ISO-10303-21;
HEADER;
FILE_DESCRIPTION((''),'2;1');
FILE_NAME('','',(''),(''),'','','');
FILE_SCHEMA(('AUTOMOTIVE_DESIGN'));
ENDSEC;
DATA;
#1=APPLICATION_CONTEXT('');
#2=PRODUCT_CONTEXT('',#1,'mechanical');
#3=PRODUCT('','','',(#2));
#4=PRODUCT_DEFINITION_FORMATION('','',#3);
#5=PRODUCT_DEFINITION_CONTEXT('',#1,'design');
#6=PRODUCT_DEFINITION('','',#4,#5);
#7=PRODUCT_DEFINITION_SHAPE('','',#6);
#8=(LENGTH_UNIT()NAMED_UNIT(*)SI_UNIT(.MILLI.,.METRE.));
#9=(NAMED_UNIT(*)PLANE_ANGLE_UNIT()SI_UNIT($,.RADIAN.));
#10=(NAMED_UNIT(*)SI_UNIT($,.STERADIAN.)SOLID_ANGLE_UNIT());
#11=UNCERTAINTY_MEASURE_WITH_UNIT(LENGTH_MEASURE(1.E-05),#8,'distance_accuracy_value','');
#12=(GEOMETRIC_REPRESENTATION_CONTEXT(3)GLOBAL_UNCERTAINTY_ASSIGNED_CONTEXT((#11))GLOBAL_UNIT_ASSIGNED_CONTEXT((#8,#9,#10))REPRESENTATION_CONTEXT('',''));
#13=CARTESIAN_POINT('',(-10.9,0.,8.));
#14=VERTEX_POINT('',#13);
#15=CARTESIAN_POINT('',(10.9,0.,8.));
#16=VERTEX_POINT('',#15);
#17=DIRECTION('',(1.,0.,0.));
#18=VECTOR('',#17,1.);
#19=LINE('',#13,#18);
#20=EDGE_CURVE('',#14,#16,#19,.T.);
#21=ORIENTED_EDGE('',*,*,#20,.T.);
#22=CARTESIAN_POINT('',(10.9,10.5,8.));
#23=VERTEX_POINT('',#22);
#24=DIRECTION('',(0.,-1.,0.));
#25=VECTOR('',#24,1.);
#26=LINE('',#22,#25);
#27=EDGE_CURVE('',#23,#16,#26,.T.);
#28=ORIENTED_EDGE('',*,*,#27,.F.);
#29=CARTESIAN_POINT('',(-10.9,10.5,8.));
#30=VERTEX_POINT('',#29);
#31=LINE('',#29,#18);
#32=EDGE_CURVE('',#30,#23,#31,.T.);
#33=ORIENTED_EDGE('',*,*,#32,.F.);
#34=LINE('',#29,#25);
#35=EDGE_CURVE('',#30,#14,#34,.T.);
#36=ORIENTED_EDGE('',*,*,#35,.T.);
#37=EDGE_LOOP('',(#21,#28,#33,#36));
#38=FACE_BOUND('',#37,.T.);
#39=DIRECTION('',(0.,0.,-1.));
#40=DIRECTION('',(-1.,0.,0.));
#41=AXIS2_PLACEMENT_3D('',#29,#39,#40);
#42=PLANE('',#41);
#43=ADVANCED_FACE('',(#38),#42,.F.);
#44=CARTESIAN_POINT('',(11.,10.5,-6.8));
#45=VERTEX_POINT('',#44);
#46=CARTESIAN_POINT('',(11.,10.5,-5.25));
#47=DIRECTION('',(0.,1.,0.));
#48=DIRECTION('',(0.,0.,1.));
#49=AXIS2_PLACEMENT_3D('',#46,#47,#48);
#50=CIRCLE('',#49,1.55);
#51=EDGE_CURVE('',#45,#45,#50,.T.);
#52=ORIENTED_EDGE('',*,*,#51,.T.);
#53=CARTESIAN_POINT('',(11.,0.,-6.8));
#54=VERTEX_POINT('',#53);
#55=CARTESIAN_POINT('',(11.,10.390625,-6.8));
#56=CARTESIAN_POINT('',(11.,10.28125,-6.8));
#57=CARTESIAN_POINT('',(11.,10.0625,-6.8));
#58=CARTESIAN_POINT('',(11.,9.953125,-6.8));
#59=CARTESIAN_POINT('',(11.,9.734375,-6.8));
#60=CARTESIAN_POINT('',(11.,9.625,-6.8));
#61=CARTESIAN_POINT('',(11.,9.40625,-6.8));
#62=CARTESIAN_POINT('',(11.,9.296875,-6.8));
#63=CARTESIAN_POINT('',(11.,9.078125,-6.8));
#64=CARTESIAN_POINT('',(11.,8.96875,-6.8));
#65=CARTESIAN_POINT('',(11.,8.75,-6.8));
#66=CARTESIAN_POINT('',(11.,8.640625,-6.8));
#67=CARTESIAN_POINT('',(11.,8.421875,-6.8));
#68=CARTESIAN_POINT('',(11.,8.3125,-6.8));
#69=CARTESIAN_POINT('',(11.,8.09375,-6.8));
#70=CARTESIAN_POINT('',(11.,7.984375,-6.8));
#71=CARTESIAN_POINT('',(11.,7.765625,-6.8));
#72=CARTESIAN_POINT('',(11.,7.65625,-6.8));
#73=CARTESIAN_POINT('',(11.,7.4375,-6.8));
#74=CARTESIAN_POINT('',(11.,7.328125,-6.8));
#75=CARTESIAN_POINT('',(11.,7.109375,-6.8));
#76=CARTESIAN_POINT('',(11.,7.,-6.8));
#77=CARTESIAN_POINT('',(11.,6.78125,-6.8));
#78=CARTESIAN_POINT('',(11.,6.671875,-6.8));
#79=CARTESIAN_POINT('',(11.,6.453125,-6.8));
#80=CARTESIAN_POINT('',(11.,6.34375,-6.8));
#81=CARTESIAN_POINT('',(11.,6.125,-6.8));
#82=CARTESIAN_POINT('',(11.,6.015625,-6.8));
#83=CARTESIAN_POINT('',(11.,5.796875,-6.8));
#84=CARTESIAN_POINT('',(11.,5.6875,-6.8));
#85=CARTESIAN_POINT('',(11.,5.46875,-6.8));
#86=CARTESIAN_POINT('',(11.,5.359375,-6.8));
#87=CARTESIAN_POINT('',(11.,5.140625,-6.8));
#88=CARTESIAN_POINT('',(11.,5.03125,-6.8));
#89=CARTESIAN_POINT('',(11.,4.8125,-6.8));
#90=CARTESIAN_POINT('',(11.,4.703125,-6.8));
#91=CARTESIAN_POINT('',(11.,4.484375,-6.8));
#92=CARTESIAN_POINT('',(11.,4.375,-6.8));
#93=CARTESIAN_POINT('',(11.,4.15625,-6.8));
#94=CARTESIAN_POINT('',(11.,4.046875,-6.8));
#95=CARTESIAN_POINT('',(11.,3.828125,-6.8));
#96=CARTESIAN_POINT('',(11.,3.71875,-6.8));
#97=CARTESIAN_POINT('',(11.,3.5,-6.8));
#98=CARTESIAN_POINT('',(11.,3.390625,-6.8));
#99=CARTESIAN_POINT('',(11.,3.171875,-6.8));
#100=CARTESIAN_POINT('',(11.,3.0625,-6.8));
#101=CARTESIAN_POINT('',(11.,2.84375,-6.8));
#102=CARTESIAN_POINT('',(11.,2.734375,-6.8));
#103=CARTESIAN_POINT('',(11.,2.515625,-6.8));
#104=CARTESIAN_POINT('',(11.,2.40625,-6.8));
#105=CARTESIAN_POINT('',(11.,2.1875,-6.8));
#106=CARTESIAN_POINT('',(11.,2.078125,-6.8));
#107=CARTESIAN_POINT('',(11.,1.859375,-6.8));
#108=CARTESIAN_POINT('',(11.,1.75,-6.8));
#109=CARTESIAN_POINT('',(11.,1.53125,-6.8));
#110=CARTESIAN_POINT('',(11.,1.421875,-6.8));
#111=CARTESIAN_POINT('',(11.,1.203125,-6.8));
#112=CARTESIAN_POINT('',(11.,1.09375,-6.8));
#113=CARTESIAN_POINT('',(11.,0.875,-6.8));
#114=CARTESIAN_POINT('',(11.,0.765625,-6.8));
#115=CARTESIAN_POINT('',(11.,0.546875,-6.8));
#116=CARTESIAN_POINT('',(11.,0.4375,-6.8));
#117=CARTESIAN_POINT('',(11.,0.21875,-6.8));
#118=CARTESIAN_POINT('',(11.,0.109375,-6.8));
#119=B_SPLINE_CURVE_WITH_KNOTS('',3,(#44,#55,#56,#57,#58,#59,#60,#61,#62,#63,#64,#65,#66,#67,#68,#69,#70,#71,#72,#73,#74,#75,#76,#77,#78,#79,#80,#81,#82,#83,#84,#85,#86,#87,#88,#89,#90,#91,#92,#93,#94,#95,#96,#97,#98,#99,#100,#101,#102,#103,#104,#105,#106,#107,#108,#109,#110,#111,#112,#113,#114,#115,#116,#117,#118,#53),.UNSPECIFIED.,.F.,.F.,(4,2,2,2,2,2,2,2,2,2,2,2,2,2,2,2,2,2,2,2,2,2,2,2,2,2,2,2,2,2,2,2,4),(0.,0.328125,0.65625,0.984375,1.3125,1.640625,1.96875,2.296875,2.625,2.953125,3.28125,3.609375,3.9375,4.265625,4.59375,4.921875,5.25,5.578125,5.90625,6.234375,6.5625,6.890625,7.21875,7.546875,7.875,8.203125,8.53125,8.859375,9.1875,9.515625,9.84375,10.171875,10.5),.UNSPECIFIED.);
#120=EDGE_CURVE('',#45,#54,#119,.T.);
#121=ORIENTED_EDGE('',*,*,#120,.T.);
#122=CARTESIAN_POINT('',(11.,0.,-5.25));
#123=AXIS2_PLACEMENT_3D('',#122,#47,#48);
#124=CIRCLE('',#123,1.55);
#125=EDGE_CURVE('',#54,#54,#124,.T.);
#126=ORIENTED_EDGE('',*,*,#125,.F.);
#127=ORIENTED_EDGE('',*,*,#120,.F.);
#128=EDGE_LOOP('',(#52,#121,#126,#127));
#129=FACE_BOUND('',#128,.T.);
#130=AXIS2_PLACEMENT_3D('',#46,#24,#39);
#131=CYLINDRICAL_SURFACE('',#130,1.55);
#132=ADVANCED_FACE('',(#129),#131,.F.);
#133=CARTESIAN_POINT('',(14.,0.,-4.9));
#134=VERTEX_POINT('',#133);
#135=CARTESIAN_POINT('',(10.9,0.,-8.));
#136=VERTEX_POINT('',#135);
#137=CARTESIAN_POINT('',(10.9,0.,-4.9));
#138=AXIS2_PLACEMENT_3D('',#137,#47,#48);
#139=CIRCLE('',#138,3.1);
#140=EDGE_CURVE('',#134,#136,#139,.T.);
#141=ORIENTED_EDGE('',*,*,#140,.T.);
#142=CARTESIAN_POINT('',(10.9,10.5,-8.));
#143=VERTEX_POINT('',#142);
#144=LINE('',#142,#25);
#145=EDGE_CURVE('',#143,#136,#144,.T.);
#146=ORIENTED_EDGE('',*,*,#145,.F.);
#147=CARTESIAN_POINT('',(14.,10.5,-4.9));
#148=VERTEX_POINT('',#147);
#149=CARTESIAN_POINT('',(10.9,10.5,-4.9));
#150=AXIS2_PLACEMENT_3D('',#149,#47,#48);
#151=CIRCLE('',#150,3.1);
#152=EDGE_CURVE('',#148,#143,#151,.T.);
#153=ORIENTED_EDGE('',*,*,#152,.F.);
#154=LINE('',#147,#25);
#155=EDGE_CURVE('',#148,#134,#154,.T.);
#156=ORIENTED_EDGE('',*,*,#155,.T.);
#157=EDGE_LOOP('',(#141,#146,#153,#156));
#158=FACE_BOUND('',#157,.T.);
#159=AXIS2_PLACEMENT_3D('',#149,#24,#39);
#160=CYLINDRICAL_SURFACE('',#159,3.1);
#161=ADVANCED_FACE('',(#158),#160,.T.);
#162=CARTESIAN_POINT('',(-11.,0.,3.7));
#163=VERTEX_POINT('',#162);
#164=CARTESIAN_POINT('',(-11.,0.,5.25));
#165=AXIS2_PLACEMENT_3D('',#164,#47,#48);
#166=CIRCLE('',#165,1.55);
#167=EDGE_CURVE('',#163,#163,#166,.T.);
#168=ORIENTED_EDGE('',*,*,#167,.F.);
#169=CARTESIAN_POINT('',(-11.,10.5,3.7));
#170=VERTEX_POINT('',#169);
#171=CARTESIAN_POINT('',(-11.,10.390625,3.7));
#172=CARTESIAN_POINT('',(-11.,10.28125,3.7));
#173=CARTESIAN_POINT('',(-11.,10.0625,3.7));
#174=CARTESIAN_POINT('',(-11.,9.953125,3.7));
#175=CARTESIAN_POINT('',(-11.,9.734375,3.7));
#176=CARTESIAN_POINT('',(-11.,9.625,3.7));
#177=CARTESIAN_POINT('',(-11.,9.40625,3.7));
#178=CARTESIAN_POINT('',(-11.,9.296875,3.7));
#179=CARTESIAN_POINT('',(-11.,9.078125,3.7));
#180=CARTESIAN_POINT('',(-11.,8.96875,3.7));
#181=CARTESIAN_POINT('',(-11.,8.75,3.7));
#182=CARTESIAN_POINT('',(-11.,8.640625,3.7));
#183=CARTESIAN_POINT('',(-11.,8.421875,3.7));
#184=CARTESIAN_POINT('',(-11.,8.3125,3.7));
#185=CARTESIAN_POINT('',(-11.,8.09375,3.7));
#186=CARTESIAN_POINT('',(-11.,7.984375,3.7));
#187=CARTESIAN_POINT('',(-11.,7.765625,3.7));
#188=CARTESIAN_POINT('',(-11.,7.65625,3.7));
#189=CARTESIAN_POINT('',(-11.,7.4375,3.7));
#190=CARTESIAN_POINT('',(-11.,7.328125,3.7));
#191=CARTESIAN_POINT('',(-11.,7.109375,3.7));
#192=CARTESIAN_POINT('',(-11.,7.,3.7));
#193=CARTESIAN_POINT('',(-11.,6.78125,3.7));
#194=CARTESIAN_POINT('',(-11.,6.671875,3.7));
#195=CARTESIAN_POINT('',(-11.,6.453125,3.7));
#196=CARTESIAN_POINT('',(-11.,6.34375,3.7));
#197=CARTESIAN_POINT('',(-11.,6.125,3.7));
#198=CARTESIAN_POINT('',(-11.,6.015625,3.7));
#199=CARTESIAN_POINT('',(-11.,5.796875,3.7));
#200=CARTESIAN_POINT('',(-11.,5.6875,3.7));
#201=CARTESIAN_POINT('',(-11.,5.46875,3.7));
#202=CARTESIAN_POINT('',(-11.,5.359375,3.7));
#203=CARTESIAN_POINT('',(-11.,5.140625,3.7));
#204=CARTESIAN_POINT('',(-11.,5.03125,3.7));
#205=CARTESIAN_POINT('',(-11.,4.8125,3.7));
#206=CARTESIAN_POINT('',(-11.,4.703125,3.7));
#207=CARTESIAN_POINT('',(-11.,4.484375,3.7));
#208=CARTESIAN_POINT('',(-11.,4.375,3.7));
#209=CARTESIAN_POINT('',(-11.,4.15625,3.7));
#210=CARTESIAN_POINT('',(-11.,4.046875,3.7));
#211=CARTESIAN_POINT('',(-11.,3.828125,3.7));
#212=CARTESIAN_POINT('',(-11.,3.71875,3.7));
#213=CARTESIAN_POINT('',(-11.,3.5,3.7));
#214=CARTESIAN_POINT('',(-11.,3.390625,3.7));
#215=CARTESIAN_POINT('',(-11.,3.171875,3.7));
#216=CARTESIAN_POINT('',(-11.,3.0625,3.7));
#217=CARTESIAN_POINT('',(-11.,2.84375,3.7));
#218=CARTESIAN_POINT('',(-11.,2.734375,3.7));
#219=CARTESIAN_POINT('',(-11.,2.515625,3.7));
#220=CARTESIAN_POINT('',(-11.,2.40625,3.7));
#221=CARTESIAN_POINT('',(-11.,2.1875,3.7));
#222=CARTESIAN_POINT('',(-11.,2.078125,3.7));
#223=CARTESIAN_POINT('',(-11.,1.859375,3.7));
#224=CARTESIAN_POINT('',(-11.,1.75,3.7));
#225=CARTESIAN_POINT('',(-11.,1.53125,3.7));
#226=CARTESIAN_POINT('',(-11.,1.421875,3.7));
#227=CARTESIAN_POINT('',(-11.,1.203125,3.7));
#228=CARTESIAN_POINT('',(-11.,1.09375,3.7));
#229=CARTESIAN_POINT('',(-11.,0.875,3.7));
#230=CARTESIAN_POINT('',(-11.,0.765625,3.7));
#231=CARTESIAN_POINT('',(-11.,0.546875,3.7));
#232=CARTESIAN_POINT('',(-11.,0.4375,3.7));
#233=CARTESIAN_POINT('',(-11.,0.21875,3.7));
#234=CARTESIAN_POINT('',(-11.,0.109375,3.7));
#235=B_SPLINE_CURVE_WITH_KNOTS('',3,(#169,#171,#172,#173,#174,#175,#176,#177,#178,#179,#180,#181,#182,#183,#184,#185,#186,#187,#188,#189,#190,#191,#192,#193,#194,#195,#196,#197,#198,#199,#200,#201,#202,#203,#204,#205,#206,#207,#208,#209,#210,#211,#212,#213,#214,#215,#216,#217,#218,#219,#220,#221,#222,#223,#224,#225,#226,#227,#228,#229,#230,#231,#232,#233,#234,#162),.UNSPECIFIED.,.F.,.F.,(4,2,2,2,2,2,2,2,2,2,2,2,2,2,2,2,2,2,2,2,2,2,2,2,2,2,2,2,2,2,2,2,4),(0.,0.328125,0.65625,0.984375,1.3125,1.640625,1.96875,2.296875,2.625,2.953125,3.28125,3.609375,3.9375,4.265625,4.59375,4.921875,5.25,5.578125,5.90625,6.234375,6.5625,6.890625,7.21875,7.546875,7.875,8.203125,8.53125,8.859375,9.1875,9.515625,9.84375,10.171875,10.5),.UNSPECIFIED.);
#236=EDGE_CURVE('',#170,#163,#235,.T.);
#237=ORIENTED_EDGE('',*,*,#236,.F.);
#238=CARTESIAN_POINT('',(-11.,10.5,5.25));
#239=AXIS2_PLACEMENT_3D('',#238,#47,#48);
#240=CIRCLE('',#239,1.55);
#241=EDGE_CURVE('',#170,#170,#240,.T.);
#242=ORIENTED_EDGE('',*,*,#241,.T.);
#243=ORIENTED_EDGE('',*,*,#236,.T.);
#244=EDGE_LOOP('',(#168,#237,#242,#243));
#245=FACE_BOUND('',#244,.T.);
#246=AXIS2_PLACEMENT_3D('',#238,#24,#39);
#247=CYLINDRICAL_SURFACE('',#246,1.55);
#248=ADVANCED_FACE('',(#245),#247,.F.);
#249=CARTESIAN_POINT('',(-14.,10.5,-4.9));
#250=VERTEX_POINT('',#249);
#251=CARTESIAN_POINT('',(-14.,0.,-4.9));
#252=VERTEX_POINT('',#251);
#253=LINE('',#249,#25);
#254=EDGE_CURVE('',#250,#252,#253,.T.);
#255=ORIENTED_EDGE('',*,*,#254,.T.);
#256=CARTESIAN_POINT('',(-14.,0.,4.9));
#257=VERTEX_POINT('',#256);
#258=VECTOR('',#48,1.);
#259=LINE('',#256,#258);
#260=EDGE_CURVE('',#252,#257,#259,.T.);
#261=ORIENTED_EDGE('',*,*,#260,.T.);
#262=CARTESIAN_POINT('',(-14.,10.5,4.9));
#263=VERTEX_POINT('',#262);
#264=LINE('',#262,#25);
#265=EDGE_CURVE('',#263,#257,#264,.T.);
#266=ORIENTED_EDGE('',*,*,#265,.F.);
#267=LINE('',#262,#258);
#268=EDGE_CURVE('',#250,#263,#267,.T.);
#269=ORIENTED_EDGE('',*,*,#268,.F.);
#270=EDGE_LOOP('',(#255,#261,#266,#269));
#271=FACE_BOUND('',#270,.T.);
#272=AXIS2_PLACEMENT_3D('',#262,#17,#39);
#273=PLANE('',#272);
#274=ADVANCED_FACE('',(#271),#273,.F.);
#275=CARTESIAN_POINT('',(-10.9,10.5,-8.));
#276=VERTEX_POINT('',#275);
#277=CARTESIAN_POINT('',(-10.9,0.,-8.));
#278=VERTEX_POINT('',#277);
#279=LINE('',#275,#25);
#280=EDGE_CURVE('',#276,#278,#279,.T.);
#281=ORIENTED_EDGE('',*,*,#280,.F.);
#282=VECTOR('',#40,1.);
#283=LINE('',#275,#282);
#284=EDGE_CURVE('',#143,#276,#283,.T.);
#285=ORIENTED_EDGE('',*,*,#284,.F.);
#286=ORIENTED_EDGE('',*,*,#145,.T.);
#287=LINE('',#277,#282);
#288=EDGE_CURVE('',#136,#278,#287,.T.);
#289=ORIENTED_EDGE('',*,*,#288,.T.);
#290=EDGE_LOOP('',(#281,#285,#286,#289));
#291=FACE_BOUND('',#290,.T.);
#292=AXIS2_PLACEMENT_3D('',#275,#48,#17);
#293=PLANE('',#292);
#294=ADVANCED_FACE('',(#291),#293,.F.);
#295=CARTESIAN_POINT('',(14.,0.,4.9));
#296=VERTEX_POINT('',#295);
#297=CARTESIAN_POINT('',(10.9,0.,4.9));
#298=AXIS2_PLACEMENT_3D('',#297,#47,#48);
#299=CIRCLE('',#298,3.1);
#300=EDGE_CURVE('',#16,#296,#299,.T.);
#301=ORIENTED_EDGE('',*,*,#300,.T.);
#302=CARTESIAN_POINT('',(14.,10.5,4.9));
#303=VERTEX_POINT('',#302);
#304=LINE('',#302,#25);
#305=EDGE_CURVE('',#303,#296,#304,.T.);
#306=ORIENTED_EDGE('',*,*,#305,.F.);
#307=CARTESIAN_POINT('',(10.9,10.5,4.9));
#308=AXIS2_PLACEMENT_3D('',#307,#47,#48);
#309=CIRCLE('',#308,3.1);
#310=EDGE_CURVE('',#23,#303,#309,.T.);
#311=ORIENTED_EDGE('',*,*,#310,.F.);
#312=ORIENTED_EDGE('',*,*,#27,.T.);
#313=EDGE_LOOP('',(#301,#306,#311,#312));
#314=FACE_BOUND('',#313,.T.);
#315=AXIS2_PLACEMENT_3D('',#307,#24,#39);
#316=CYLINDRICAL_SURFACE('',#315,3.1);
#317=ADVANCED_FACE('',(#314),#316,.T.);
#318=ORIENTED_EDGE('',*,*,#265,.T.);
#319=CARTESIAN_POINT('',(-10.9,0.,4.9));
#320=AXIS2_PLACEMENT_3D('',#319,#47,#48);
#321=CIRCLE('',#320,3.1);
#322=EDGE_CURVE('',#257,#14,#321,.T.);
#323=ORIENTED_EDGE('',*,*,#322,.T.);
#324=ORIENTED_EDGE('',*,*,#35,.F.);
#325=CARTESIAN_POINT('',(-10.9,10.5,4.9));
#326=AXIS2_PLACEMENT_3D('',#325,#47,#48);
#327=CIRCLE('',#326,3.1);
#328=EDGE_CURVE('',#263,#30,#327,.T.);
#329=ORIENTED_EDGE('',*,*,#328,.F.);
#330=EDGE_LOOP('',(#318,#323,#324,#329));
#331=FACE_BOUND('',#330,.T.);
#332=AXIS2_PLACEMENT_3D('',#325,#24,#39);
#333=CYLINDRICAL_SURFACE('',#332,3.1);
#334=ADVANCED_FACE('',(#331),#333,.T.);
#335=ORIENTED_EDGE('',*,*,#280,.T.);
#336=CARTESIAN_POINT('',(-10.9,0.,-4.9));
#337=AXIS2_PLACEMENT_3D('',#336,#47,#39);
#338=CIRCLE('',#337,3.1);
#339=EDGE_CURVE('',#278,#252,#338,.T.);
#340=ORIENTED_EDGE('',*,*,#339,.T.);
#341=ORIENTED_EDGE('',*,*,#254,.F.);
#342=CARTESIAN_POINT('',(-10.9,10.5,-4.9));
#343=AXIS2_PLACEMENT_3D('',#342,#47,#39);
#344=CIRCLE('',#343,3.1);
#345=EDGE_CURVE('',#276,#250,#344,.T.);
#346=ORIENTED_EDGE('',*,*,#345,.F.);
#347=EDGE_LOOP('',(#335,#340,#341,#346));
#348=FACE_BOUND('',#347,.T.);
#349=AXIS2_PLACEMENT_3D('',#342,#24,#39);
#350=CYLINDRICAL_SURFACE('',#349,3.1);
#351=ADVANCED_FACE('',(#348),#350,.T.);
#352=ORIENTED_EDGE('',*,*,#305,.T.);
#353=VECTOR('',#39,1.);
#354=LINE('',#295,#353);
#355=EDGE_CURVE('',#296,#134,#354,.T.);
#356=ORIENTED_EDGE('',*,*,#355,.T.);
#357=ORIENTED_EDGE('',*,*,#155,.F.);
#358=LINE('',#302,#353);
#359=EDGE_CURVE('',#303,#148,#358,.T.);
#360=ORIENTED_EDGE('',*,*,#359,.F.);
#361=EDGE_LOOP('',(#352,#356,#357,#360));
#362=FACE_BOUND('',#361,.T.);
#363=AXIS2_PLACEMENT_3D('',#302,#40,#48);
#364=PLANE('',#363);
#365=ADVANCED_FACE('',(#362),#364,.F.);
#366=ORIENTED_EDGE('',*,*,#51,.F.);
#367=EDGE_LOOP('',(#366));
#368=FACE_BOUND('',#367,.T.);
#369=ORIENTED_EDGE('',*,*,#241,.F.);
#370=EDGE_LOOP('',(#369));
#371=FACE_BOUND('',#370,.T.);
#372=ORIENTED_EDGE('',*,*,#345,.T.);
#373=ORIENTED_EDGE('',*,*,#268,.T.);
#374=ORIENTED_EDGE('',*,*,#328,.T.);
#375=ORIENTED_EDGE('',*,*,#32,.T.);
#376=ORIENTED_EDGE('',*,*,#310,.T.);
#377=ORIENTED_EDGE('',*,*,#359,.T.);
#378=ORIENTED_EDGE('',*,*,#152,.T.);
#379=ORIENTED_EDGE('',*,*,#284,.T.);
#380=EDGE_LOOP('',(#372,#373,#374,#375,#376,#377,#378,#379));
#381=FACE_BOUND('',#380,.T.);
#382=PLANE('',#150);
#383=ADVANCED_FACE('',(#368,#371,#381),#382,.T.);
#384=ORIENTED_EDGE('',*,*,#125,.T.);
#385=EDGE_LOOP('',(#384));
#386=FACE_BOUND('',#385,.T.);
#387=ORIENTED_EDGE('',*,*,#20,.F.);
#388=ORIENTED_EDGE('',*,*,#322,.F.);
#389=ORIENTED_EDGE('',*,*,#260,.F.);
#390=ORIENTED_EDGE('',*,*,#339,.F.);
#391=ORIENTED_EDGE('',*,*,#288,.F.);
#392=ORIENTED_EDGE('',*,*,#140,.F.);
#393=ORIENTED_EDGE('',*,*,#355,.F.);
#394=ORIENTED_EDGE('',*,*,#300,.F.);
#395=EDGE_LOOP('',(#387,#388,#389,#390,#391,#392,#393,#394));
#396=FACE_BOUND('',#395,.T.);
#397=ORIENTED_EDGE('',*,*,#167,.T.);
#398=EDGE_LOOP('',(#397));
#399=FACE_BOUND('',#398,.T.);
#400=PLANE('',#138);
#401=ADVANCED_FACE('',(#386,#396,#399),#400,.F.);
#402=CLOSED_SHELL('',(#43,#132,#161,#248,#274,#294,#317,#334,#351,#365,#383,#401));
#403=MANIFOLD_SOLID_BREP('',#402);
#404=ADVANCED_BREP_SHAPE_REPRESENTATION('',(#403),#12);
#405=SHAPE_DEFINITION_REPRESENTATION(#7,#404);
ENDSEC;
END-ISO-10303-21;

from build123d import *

# Parameters (mm, degrees)
SKETCH1_R           = 1.55
BOSS_EXTRUDE1_DEPTH = 10.5


with BuildPart() as part:
    # Sketch1 → Boss-Extrude1 (new body)
    with BuildSketch(Plane(origin=(0, 0, 0), x_dir=(1, 0, 0), z_dir=(0, 1, 0))):
        with BuildLine():
            Line((-10.9, -8), (10.9, -8))
            ThreePointArc((10.9, -8), (13.092031022, -7.092031022), (14, -4.9))
            Line((14, -4.9), (14, 4.9))
            ThreePointArc((14, 4.9), (13.092031022, 7.092031022), (10.9, 8))
            Line((10.9, 8), (-10.9, 8))
            ThreePointArc((-10.9, 8), (-13.092031022, 7.092031022), (-14, 4.9))
            Line((-14, 4.9), (-14, -4.9))
            ThreePointArc((-14, -4.9), (-13.092031022, -7.092031022), (-10.9, -8))
        make_face()
        with Locations(Location((11, 5.25, 0), (0, 0, 90))):
            Circle(SKETCH1_R, mode=Mode.SUBTRACT)
        with Locations(Location((-11, -5.25, 0), (0, 0, 90))):
            Circle(SKETCH1_R, mode=Mode.SUBTRACT)
    extrude(amount=BOSS_EXTRUDE1_DEPTH)


solid = part.part
